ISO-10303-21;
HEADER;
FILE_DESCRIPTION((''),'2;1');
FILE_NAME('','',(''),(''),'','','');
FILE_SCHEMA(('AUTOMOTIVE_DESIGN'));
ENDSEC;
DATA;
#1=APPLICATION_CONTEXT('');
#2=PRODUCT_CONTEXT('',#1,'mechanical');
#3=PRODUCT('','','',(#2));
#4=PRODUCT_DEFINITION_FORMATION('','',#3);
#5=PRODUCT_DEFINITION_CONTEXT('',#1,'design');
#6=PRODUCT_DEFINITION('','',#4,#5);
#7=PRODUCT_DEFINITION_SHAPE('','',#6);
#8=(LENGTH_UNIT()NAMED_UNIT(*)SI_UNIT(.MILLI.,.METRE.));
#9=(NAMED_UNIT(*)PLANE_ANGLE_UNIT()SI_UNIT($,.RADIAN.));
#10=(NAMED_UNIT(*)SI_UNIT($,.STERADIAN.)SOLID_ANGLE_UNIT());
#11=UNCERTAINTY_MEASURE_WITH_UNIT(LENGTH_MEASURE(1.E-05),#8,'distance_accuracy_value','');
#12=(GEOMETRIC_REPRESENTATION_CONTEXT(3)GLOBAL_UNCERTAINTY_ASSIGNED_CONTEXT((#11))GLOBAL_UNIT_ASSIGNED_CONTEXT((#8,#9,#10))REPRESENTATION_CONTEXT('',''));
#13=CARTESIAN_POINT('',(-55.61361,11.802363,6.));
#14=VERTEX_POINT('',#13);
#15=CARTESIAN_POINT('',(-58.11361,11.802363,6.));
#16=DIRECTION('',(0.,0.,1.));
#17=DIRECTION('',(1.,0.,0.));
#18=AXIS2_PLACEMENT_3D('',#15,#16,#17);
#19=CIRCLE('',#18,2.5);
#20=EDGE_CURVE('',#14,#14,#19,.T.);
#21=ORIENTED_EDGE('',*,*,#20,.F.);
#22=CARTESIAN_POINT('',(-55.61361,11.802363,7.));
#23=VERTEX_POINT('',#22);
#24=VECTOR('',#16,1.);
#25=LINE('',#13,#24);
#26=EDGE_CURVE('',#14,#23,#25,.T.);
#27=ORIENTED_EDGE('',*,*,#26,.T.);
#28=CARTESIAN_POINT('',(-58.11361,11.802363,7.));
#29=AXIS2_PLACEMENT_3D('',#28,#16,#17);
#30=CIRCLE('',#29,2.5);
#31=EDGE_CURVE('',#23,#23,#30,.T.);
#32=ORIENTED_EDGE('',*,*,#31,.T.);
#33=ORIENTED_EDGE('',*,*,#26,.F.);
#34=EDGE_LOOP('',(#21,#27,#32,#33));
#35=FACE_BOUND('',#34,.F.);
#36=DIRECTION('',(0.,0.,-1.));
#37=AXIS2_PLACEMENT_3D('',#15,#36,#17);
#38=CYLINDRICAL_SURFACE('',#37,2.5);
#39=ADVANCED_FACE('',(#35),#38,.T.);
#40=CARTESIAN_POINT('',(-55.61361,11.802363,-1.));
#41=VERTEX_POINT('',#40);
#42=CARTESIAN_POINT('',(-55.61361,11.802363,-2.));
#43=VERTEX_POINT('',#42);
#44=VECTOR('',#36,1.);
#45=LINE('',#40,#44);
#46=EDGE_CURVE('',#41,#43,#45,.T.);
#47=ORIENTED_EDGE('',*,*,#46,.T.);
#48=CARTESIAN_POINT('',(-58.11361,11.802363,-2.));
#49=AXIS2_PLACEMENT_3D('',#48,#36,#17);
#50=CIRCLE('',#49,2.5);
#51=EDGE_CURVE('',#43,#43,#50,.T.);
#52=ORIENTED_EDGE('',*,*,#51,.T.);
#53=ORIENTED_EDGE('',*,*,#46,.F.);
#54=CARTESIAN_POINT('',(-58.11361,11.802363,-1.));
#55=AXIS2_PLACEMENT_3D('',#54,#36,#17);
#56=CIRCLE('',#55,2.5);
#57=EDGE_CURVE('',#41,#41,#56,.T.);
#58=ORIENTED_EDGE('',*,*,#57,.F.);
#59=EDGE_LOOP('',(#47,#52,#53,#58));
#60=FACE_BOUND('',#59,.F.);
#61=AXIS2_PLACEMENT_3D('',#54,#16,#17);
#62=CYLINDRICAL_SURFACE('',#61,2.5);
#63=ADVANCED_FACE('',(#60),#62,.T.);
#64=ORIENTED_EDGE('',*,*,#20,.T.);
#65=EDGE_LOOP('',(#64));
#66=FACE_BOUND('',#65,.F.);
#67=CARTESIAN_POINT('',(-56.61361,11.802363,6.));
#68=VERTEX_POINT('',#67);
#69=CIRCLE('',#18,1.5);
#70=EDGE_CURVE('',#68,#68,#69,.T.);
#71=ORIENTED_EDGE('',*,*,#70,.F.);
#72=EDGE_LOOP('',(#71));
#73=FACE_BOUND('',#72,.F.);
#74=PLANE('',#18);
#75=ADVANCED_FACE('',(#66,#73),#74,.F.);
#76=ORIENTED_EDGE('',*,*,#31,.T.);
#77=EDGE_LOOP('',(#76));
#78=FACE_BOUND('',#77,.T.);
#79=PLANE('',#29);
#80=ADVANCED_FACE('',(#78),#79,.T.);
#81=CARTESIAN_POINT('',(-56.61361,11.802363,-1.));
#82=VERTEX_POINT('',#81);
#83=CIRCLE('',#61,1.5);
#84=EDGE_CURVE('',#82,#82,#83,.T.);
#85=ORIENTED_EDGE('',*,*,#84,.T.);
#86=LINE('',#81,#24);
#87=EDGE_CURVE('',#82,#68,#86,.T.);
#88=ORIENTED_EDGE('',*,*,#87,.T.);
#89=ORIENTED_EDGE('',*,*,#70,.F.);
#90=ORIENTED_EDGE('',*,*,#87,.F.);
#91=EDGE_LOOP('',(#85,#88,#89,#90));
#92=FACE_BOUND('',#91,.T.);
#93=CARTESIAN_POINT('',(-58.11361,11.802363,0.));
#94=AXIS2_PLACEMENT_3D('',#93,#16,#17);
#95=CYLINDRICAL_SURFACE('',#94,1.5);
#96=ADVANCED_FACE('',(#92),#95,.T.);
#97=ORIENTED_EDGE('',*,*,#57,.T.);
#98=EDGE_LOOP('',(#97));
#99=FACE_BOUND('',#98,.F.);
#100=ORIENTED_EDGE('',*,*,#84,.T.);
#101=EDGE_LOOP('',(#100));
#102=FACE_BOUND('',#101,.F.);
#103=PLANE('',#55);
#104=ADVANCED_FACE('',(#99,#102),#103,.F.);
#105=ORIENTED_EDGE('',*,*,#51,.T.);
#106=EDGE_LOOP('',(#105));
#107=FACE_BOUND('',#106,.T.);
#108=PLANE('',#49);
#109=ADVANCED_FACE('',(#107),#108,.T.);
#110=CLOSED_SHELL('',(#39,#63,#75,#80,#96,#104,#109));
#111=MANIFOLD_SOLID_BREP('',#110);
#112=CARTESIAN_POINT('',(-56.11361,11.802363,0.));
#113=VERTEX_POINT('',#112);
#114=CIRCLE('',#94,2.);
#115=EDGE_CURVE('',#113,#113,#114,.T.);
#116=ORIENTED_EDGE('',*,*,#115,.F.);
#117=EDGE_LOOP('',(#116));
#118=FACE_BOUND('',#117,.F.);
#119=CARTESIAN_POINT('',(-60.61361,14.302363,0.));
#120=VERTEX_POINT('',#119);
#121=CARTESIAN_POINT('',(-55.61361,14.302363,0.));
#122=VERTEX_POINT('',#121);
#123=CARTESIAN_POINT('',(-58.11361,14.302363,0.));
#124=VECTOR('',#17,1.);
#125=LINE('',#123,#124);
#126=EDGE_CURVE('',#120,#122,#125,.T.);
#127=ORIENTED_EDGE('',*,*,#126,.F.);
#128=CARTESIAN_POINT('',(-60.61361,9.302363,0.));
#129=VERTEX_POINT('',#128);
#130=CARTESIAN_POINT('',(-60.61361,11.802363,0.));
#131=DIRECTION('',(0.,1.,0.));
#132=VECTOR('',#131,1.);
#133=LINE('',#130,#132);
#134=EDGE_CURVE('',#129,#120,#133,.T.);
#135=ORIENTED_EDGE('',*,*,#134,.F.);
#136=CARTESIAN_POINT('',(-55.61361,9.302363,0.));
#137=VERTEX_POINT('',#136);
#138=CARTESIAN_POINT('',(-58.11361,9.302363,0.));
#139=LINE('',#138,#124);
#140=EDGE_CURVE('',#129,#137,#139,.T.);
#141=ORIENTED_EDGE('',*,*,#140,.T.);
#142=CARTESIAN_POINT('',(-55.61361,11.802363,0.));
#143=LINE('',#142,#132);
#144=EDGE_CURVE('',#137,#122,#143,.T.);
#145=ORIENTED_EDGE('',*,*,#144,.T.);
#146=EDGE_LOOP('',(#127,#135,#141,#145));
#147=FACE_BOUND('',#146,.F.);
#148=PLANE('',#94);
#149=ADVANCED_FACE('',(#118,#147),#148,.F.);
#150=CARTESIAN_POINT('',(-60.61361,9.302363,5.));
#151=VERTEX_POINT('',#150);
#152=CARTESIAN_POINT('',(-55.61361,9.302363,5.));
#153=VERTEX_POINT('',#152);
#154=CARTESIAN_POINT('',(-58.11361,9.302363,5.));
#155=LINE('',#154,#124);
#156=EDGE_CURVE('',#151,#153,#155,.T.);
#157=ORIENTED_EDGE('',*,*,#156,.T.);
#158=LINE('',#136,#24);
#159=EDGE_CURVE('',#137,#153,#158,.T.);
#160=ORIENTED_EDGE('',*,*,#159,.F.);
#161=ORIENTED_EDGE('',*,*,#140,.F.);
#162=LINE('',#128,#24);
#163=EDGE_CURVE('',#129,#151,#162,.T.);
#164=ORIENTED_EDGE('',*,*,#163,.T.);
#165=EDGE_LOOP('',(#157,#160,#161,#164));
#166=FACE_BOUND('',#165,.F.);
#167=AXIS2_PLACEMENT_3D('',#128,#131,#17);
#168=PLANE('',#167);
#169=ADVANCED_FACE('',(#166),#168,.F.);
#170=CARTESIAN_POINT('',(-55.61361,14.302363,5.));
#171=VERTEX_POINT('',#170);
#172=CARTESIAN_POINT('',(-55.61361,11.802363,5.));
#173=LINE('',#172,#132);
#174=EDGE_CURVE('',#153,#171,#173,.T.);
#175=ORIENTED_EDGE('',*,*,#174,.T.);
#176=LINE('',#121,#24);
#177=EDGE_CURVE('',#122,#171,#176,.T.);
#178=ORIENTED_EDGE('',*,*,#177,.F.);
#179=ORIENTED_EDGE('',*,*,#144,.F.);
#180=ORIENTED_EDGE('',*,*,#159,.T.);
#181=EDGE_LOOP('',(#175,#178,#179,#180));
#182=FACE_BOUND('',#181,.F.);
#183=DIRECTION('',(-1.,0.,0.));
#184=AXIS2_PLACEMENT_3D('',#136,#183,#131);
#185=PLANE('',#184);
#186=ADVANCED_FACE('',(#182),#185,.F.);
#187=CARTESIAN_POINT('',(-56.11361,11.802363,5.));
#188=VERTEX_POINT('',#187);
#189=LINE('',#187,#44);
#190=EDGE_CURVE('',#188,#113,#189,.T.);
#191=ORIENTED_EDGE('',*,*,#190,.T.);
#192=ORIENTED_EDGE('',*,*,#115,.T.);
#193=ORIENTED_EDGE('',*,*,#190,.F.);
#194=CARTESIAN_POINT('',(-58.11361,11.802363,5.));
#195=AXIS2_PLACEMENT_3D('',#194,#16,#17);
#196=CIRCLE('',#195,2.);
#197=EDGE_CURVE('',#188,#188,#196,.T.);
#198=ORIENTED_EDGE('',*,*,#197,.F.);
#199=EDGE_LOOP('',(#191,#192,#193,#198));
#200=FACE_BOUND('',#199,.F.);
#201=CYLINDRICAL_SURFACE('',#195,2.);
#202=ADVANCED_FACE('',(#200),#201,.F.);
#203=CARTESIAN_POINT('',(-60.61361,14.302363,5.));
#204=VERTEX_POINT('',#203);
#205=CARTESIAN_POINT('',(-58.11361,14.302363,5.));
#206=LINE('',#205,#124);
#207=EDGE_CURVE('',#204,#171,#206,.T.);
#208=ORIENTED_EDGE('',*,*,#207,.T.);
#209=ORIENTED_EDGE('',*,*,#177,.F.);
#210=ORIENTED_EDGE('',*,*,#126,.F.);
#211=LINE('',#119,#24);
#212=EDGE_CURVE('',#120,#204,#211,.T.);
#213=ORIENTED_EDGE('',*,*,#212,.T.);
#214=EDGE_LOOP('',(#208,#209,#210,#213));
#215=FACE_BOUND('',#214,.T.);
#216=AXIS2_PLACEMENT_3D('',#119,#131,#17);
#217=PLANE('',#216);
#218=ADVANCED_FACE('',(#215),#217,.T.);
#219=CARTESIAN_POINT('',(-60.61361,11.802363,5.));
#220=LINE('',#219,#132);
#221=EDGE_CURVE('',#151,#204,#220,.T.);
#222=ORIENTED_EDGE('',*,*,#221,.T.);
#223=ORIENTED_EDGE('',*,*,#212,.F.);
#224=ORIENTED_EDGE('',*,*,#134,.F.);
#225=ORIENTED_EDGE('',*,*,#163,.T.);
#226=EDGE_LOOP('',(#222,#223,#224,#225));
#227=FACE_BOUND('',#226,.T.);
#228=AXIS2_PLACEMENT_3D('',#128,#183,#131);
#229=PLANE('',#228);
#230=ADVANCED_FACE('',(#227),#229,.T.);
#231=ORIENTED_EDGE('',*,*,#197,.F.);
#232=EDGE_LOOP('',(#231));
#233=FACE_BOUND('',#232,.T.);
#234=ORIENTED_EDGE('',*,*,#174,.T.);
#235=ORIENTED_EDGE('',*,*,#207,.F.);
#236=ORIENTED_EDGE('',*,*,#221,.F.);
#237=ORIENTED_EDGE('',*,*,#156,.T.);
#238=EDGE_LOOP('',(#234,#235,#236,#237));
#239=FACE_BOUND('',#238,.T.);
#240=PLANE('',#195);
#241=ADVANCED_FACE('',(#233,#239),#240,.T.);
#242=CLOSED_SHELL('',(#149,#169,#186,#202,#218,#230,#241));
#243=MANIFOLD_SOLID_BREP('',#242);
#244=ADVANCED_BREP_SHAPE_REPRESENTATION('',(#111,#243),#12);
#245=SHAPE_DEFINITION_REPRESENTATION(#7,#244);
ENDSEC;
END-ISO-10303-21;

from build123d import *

# Parameters (mm, degrees)
F0_W      = 5
F0_H      = 5
F1_DEPTH  = 5
F2_R      = 2
F3_DEPTH  = 25
F4_R      = 1.5
F5_DEPTH  = 6
F6_DEPTH  = 1
F7_R      = 2.5
F8_DEPTH  = 1
F9_R      = 2.5
F10_DEPTH = 1


with BuildPart() as f1:
    # F0 (on Top) → F1 (new body)
    with BuildSketch(Plane.XY):
        with Locations((-58.11361, 11.802363)):
            Rectangle(F0_W, F0_H)
    extrude(amount=F1_DEPTH)

    # F2 (on face) → F3 (cut)
    with BuildSketch(Plane.XY.offset(5)):
        with Locations((-58.11361, 11.802363)):
            Circle(F2_R)
    extrude(amount=-F3_DEPTH, mode=Mode.SUBTRACT)


with BuildPart() as f5:
    # F4 (on Top) → F5 (new body)
    with BuildSketch(Plane.XY):
        with Locations((-58.11361, 11.802363)):
            Circle(F4_R)
    extrude(amount=F5_DEPTH)

    # F4 (on Top) → F6 (join)
    with BuildSketch(Plane.XY):
        with Locations((-58.11361, 11.802363)):
            Circle(F4_R)
    extrude(amount=-F6_DEPTH)

    # F7 (on face) → F8 (join)
    with BuildSketch(Plane.XY.offset(6)):
        with Locations((-58.11361, 11.802363)):
            Circle(F7_R)
    extrude(amount=F8_DEPTH)

    # F9 (on face) → F10 (join)
    with BuildSketch(Plane(origin=(0, 0, -1), x_dir=(1, 0, 0), z_dir=(0, 0, -1))):
        with Locations((-58.11361, -11.802363)):
            Circle(F9_R)
    extrude(amount=F10_DEPTH)


solid = Compound([f1.part, f5.part])
